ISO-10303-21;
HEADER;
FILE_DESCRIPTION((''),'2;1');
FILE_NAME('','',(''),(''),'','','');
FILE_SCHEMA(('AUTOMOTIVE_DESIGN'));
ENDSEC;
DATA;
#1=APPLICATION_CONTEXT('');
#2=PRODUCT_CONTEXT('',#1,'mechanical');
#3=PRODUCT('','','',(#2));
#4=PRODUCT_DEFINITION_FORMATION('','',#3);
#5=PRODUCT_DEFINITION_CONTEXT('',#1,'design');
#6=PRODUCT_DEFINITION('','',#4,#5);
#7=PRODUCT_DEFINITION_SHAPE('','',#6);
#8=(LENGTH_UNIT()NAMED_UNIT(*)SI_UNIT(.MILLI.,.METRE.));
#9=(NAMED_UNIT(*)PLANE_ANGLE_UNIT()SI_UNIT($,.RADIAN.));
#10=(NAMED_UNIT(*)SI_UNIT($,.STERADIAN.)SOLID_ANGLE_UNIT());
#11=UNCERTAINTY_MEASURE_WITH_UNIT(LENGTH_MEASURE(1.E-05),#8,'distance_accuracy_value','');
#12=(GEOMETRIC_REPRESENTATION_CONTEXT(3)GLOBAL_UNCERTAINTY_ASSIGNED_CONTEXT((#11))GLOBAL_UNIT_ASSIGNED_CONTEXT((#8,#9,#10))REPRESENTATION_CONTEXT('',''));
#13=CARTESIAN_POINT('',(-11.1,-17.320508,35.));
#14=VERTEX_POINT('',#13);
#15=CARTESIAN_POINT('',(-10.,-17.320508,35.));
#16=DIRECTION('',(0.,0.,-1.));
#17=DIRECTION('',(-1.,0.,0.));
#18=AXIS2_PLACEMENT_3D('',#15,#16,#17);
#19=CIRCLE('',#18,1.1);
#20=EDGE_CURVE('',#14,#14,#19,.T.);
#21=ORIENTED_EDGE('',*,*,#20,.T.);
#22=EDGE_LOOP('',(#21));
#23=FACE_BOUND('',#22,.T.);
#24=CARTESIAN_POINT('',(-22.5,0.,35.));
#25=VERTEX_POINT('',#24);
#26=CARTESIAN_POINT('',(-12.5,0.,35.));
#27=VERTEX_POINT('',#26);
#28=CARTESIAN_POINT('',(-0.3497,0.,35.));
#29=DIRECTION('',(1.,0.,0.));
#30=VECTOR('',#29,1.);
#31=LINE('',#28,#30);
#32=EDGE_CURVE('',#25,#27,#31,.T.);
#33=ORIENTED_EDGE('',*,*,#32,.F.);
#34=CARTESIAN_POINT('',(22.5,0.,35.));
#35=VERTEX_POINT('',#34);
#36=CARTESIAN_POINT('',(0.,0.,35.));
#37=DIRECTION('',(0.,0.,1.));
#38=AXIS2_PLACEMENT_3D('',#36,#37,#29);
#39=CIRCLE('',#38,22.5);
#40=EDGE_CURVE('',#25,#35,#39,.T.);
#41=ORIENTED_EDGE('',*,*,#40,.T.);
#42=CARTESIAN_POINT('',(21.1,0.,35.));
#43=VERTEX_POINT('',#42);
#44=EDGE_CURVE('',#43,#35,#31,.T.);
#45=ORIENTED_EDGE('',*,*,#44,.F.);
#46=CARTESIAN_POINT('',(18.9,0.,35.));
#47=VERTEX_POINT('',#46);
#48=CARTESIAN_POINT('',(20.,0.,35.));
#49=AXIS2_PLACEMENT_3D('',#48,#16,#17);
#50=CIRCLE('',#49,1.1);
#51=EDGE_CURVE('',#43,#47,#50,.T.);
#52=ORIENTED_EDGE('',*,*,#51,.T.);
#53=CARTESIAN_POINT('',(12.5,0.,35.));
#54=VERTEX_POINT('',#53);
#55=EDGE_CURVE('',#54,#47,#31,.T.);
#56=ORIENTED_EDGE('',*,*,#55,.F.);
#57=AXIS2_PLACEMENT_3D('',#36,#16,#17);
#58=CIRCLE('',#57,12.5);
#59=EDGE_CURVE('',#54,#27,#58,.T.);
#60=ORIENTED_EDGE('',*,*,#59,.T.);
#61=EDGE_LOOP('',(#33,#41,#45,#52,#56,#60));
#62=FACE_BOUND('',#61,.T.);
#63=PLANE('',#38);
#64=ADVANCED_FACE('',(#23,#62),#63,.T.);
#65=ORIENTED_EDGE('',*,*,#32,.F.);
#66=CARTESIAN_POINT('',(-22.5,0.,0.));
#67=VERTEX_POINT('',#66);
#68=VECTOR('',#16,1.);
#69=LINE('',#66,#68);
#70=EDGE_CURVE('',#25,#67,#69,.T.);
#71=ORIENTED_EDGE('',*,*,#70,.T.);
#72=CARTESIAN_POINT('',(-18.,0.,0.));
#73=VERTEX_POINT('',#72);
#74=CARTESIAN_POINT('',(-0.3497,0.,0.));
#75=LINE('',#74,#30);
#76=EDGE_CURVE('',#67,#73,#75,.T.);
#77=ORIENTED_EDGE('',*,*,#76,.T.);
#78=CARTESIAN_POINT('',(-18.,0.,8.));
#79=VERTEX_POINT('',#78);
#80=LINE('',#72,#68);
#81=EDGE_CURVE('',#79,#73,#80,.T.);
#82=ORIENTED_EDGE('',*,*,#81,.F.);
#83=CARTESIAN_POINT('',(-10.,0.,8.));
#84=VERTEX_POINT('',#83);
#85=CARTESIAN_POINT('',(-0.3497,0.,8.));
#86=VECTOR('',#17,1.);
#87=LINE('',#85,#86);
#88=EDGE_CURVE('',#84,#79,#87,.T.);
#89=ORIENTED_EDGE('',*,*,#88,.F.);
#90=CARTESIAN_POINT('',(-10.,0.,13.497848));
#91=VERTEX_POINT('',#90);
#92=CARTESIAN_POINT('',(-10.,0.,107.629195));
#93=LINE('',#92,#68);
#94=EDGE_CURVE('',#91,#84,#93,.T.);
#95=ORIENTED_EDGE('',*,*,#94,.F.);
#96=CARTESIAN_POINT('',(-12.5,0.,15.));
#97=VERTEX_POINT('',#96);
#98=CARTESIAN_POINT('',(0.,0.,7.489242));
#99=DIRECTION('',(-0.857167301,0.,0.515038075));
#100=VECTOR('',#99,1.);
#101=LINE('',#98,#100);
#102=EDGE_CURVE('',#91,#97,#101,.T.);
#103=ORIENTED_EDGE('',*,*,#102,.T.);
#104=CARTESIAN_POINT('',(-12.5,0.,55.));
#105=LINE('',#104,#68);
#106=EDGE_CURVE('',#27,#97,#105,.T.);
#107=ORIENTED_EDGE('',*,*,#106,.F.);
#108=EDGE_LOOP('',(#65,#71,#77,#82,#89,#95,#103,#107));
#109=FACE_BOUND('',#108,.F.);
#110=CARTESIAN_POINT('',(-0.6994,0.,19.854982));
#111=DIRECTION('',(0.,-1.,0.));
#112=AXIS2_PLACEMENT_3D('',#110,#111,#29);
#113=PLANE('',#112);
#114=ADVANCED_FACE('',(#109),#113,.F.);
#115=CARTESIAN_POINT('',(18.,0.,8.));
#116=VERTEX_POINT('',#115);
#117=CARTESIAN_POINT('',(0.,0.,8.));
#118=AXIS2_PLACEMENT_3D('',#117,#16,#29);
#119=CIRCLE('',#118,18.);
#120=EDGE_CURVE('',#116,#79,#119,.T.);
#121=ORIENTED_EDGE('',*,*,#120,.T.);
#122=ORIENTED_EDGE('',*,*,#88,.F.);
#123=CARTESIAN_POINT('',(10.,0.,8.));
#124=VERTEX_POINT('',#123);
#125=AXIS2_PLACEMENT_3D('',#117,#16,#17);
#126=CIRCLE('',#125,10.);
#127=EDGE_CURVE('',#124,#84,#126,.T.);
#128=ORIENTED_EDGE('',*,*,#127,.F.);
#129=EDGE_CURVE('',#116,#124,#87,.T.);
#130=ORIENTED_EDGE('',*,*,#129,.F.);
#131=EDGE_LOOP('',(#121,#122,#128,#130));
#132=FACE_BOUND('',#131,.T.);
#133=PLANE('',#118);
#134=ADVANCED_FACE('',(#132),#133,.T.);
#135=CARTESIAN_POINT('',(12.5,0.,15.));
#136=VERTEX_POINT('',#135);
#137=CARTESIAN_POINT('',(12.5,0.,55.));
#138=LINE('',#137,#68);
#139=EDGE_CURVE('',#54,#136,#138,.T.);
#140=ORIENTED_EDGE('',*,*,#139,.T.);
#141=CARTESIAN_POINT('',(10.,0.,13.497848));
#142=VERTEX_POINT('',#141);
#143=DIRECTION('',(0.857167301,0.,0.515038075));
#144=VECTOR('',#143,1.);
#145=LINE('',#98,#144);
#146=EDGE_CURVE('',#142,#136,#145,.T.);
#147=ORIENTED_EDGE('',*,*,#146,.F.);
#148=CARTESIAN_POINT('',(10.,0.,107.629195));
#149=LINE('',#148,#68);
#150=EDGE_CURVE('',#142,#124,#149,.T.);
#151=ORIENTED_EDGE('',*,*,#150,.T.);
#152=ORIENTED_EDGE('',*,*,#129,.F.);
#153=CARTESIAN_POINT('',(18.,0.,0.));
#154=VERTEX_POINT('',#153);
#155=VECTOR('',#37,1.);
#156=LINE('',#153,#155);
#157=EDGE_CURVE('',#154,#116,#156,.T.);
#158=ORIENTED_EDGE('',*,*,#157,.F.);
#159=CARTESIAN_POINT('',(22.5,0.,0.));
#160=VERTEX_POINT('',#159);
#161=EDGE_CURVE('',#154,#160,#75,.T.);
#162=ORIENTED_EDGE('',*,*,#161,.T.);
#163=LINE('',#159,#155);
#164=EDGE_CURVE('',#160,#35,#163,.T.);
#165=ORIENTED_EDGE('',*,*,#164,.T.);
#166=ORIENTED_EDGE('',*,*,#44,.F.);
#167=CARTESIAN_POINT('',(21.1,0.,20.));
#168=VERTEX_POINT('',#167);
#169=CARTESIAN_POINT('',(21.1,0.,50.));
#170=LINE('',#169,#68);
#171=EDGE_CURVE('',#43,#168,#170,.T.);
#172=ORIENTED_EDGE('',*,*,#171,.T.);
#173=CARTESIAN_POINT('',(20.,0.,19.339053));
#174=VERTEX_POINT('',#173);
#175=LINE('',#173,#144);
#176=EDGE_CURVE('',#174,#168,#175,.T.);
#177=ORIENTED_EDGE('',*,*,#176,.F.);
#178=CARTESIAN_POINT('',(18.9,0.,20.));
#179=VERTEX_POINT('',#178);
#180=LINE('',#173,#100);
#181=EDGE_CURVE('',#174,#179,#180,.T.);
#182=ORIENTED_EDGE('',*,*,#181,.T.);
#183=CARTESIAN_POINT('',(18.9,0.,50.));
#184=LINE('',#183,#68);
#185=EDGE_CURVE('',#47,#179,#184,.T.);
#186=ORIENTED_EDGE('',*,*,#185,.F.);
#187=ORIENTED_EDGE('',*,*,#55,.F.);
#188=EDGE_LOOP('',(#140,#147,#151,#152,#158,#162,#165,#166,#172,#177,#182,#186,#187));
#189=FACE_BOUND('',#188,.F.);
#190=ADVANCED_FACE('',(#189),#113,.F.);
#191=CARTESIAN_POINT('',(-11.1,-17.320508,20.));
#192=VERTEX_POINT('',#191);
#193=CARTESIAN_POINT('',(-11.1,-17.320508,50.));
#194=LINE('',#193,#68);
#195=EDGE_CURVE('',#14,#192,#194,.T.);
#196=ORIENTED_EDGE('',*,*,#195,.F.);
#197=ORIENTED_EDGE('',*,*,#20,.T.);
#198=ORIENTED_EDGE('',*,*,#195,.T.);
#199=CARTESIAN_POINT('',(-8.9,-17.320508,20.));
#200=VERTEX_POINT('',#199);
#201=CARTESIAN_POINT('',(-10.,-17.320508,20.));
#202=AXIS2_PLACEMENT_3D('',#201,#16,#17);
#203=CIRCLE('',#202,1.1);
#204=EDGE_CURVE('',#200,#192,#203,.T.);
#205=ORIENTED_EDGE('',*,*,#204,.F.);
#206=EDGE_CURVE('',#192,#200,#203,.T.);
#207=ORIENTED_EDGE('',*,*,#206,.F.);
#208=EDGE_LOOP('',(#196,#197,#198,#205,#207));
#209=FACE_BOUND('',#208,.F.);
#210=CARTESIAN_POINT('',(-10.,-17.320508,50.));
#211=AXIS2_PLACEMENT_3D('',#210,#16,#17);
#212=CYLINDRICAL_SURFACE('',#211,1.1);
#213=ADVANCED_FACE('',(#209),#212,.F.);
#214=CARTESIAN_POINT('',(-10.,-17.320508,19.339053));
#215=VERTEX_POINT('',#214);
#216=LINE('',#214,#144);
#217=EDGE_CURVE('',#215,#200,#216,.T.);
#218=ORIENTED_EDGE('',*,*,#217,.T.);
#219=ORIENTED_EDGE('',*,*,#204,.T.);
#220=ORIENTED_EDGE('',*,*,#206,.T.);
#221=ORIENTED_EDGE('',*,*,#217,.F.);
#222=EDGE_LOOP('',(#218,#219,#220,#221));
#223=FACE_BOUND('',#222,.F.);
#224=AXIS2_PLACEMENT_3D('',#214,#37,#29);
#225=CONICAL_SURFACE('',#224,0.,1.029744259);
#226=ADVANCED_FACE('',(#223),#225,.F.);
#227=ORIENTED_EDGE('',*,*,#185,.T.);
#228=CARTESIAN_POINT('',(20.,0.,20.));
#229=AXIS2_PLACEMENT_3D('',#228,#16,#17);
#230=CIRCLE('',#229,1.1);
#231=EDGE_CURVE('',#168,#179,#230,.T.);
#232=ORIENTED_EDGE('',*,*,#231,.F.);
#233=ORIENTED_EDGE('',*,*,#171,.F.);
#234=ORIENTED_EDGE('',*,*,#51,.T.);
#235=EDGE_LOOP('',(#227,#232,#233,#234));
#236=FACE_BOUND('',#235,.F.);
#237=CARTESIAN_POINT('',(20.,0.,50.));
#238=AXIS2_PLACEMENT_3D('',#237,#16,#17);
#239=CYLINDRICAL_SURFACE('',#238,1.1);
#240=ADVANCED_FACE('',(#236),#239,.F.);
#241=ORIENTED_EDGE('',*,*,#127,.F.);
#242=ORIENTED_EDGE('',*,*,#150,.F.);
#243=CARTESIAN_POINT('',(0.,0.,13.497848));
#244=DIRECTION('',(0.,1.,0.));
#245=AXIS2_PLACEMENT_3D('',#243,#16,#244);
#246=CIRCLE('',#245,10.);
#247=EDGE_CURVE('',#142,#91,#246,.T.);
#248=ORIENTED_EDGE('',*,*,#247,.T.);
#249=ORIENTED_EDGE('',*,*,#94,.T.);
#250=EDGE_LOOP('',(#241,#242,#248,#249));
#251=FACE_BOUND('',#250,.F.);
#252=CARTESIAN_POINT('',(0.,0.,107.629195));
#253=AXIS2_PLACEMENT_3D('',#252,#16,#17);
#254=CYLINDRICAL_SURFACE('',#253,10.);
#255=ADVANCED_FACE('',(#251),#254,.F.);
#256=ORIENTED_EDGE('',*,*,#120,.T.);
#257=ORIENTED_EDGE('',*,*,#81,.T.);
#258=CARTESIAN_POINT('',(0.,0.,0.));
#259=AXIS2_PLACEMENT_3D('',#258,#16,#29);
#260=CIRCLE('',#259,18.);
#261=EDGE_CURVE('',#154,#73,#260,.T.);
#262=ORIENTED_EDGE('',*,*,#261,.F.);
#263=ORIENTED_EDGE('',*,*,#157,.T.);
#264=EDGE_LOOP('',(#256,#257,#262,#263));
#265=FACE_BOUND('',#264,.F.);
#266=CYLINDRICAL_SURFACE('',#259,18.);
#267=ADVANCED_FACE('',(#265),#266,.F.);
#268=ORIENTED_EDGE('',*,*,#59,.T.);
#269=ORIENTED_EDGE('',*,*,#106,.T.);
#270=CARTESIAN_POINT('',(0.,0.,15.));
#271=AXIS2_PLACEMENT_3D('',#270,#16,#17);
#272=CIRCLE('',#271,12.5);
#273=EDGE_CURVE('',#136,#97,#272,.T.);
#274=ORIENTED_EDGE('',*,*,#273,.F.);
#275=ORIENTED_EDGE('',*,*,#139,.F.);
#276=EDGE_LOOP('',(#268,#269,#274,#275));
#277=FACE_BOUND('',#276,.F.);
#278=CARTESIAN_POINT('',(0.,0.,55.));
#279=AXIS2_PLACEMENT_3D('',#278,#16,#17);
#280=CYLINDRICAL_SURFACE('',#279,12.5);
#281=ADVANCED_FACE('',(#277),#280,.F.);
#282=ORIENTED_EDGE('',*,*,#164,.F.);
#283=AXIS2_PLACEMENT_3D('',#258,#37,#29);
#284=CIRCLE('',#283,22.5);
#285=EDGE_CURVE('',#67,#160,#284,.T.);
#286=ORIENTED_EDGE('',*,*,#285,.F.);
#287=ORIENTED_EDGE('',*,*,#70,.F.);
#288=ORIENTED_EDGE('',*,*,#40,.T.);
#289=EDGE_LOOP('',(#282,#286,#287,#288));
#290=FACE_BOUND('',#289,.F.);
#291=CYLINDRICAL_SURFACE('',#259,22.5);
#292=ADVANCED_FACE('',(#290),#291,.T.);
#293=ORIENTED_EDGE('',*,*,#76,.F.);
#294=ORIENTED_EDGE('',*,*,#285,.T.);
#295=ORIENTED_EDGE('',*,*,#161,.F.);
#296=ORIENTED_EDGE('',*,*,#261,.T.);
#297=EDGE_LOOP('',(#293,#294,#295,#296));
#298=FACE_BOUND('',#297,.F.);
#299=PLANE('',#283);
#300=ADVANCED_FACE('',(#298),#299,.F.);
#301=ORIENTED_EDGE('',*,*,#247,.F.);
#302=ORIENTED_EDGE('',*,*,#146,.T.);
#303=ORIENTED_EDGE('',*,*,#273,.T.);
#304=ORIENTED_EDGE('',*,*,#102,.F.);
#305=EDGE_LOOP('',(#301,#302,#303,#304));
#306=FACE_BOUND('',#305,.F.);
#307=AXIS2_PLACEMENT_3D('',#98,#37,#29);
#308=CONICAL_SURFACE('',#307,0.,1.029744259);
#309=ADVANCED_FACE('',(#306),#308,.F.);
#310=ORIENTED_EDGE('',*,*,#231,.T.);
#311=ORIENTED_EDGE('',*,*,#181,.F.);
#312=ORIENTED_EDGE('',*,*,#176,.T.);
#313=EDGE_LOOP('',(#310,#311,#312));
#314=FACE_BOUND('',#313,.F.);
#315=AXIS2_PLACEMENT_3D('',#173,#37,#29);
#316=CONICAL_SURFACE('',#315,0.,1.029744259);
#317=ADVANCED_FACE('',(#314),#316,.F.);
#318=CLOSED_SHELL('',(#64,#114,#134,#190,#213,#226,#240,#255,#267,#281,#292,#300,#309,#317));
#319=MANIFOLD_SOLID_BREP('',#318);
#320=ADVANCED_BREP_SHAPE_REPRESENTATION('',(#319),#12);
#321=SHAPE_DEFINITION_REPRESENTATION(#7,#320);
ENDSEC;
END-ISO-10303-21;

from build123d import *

# Parameters (mm, degrees)
F0_R      = 22.5
F1_DEPTH  = 35
F2_R      = 18
F3_DEPTH  = 8
F5_D      = 25
F5_DEPTH  = 20
F5_TIP    = 7.5107577378
F6_D      = 20
F8_D      = 2.2
F8_DEPTH  = 15
F8_TIP    = 0.6609466809
F9_W      = 60.0066725165
F9_H      = 50.9474342689
F10_DEPTH = 25


with BuildPart() as f1:
    # F0 (on Top) → F1 (new body)
    with BuildSketch(Plane.XY):
        Circle(F0_R)
    extrude(amount=F1_DEPTH)

    # F2 (on face) → F3 (cut)
    with BuildSketch(Plane(origin=(0, 0, 0), x_dir=(1, 0, 0), z_dir=(0, 0, -1))):
        Circle(F2_R)
    extrude(amount=-F3_DEPTH, mode=Mode.SUBTRACT)

    # F5
    with Locations(Plane.XY.offset(35)):
        with Locations((0, 0)):
            Hole(F5_D / 2, depth=F5_DEPTH)
            with Locations((0, 0, -(F5_DEPTH + F5_TIP / 2))):  # 118° drill point
                Cone(0, F5_D / 2, F5_TIP, mode=Mode.SUBTRACT)

    # F6 (through all)
    with Locations(Plane.XY.offset(35)):
        with Locations((0, 0)):
            Hole(F6_D / 2)

    # F8
    with Locations(Plane.XY.offset(35)):
        with Locations((20, 0), (-10, 17.3205080757), (-10, -17.3205080757)):
            Hole(F8_D / 2, depth=F8_DEPTH)
            with Locations((0, 0, -(F8_DEPTH + F8_TIP / 2))):  # 118° drill point
                Cone(0, F8_D / 2, F8_TIP, mode=Mode.SUBTRACT)

    # F9 (on Front) → F10 (cut)
    with BuildSketch(Plane.XZ):
        with Locations((-0.6993999705, 19.8549819179)):
            Rectangle(F9_W, F9_H)
    extrude(amount=-F10_DEPTH, mode=Mode.SUBTRACT)


solid = f1.part
